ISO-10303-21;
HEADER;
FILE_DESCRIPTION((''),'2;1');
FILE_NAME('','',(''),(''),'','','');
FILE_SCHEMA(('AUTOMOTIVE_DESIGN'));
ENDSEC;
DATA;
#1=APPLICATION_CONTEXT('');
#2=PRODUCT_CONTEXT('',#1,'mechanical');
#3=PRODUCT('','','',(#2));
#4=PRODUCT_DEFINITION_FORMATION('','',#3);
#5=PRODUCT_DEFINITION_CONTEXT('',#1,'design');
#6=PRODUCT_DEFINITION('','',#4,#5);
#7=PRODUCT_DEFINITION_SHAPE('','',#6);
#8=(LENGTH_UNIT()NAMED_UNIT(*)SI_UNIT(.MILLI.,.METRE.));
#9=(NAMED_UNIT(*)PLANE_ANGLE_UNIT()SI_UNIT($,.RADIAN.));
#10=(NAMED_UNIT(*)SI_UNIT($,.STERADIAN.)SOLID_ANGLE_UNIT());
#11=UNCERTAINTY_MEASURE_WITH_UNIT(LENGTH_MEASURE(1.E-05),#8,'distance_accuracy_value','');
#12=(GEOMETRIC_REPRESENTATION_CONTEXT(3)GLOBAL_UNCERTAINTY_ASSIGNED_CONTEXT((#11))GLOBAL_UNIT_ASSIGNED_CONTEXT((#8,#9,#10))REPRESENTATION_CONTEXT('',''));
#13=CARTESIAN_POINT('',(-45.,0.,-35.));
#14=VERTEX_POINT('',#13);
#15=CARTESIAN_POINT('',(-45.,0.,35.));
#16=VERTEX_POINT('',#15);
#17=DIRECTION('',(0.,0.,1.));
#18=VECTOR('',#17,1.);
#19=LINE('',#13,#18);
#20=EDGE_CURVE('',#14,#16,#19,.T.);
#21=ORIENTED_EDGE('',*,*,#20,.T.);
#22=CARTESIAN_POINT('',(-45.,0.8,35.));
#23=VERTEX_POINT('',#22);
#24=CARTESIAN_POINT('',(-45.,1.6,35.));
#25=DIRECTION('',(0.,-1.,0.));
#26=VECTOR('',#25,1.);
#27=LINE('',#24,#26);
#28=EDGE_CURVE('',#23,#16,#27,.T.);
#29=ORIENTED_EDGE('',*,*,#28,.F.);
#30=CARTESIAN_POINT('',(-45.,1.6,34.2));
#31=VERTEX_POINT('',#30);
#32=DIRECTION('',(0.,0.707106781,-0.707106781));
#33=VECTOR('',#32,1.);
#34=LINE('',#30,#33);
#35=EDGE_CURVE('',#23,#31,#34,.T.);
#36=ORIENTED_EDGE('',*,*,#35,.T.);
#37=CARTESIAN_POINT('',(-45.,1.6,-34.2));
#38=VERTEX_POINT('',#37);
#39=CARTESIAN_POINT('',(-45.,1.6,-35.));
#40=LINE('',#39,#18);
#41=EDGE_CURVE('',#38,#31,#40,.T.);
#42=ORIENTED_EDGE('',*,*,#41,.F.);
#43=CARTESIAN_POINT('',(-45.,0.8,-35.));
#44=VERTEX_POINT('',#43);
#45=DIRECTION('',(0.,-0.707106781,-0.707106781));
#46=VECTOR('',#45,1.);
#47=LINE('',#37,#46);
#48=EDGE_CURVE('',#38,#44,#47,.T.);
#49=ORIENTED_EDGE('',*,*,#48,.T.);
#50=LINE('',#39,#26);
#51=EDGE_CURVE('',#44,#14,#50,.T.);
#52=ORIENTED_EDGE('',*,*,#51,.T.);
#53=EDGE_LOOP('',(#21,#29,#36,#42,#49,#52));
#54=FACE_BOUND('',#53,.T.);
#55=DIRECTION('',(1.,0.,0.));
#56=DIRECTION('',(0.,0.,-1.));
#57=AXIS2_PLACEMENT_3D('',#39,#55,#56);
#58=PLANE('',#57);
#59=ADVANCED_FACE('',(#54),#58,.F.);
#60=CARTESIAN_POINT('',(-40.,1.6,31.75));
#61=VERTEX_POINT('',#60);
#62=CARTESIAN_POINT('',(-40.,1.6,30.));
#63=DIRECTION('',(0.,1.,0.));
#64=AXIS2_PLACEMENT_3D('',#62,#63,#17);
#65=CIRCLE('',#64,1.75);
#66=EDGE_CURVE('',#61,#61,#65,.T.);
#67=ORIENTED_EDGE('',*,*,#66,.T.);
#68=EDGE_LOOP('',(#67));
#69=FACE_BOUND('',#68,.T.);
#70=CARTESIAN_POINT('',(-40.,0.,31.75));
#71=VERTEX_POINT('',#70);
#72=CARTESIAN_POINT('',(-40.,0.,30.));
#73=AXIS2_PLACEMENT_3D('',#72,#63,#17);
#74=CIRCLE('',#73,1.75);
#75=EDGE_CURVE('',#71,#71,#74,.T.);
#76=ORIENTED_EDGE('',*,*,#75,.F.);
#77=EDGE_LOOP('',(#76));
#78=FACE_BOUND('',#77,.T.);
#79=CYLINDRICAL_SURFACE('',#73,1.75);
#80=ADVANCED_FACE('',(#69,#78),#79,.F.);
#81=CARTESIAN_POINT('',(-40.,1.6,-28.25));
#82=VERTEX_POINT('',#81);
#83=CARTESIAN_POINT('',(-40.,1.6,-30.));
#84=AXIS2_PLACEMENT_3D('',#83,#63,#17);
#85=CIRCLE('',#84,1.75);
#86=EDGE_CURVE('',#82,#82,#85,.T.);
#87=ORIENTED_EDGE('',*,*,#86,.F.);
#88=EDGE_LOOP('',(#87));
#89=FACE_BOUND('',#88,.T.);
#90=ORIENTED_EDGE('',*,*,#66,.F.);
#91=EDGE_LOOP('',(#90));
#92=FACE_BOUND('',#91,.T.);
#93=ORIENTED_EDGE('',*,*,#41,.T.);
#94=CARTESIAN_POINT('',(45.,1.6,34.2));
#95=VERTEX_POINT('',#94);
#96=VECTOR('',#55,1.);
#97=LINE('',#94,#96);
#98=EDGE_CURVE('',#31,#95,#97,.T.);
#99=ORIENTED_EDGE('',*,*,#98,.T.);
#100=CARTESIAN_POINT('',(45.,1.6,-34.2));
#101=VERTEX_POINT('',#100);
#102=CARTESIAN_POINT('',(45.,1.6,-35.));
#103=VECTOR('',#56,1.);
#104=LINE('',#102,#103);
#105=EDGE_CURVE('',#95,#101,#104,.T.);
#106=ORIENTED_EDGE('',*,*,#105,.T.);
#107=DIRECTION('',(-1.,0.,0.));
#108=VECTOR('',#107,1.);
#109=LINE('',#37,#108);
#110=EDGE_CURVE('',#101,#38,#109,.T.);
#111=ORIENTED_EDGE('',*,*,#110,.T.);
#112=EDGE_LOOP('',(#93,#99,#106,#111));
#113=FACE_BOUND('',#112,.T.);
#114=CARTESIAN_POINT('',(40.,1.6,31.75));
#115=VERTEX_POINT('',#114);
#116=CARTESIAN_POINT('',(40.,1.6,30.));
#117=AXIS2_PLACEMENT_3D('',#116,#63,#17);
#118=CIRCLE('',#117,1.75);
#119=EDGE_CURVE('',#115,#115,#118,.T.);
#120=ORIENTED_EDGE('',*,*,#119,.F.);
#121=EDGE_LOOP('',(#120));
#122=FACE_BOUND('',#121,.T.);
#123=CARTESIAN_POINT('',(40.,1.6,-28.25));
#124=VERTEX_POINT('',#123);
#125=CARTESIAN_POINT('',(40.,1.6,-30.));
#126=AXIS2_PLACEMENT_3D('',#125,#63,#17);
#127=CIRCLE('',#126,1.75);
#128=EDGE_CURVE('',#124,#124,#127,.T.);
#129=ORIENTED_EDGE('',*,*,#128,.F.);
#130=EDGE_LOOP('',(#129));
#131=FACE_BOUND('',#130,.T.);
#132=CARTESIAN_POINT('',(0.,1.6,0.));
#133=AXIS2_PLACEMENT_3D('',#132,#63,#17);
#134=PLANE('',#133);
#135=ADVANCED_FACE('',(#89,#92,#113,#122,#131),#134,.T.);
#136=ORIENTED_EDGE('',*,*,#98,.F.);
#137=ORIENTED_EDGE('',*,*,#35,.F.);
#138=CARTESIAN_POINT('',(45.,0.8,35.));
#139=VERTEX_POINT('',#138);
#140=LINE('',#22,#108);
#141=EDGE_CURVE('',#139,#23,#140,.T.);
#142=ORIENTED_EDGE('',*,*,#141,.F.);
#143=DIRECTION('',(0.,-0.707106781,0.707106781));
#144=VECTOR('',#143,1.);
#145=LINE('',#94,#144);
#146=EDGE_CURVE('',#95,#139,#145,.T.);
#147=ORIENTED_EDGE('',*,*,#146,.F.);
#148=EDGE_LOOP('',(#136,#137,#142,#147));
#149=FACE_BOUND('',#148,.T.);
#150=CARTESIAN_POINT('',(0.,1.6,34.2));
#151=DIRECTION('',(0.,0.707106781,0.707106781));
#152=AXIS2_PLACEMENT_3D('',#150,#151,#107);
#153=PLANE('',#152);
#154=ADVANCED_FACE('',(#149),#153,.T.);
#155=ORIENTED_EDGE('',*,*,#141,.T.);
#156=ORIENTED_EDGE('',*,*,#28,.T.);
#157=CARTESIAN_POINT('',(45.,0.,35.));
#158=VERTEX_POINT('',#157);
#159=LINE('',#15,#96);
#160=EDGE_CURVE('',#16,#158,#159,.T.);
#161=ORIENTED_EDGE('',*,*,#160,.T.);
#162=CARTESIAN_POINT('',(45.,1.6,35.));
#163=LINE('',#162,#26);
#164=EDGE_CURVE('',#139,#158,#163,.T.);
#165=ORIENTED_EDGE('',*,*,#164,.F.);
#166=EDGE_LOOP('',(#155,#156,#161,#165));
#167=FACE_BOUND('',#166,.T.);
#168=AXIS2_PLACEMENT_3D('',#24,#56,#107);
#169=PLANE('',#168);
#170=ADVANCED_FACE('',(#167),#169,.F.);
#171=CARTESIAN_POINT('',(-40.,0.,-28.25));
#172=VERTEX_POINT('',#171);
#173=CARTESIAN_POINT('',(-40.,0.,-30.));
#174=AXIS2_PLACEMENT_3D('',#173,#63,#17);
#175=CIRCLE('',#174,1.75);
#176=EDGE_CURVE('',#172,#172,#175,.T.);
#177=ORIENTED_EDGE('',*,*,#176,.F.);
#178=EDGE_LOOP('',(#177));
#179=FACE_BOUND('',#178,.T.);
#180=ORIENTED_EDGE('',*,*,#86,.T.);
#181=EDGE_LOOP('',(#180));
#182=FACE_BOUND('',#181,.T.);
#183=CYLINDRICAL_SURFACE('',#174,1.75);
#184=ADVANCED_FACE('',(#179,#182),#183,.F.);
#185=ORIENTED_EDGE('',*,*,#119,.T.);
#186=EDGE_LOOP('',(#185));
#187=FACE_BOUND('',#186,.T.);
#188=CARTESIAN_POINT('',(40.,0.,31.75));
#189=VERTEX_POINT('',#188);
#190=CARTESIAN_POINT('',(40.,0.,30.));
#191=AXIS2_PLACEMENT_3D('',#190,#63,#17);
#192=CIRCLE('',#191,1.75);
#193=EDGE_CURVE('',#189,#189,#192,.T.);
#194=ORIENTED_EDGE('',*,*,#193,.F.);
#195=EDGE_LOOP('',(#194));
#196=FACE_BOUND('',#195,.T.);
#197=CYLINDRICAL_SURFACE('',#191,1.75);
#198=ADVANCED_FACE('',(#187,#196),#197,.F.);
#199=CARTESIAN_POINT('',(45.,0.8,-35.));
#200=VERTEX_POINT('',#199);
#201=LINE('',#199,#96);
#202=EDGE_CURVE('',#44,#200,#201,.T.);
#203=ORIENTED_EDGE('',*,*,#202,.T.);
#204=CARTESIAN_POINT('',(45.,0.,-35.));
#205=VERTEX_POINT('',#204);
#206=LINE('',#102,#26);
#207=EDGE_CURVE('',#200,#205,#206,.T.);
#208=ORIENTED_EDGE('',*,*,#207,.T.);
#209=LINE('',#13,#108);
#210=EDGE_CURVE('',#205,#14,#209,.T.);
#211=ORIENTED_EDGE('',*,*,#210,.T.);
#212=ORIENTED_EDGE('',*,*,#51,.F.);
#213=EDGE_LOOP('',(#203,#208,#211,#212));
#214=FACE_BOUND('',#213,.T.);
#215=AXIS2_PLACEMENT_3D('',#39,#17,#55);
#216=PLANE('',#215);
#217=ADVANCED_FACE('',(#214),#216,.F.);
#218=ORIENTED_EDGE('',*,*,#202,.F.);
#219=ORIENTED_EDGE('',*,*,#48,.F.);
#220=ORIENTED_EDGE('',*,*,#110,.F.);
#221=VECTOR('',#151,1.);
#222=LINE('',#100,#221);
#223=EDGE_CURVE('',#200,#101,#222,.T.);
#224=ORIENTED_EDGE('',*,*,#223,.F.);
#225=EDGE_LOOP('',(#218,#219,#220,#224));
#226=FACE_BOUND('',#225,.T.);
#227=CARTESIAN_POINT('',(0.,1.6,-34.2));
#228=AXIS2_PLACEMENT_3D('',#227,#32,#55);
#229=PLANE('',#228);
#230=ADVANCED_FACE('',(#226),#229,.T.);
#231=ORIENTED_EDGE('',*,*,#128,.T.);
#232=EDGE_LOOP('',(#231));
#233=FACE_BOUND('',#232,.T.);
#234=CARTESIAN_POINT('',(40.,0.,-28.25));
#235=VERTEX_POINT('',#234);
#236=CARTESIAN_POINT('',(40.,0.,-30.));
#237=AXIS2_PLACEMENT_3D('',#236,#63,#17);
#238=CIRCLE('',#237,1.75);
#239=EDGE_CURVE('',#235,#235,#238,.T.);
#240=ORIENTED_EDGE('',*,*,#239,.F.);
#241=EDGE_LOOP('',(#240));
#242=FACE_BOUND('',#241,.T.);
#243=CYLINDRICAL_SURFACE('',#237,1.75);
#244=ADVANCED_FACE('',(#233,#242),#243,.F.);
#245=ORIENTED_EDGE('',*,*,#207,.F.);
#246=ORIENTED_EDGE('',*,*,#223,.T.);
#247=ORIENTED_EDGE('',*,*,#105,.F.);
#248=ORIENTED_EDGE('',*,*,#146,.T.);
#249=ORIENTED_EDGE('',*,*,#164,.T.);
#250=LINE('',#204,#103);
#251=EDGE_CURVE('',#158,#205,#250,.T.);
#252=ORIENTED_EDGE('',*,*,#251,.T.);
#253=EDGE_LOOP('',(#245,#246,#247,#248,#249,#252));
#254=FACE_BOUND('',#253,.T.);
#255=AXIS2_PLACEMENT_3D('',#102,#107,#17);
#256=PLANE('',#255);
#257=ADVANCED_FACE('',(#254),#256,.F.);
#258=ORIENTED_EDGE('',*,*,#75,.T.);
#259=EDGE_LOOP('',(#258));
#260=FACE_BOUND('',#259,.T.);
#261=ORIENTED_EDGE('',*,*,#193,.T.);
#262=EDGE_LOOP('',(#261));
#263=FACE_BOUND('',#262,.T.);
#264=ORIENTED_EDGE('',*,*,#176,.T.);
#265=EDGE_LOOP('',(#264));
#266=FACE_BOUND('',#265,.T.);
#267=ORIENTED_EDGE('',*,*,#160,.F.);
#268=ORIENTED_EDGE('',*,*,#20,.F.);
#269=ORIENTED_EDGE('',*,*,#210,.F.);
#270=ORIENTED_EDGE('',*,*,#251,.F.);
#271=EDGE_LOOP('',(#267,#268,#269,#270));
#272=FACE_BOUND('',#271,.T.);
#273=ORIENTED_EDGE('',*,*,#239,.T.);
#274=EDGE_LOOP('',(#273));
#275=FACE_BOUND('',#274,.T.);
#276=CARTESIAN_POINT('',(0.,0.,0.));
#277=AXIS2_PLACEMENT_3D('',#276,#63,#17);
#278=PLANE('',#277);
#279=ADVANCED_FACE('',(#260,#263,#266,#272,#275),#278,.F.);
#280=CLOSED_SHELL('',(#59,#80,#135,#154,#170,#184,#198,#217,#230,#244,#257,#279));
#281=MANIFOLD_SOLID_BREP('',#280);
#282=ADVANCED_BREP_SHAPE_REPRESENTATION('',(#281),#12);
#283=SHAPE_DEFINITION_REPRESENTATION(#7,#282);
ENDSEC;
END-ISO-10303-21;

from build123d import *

# Parameters (mm, degrees)
SKETCH1_W           = 90
SKETCH1_H           = 70
BOSS_EXTRUDE1_DEPTH = 1.6
SKETCH2_R           = 1.75
CUT_EXTRUDE1_DEPTH  = 58.031219521
CHAMFER1_SIZE       = 0.8


with BuildPart() as part:
    # Sketch1 → Boss-Extrude1 (new body)
    with BuildSketch(Plane(origin=(0, 0, 0), x_dir=(1, 0, 0), z_dir=(0, 1, 0))):
        Rectangle(SKETCH1_W, SKETCH1_H)
    extrude(amount=BOSS_EXTRUDE1_DEPTH)

    # Sketch2 → Cut-Extrude1 (cut, through all)
    with BuildSketch(Plane(origin=(0, 1.6, 0), x_dir=(1, 0, 0), z_dir=(0, 1, 0))):
        with Locations(Location((-40, -30, 0), (0, 0, 270))):
            Circle(SKETCH2_R)
        with Locations(Location((-40, 30, 0), (0, 0, 270))):
            Circle(SKETCH2_R)
        with Locations(Location((40, 30, 0), (0, 0, 270))):
            Circle(SKETCH2_R)
        with Locations(Location((40, -30, 0), (0, 0, 270))):
            Circle(SKETCH2_R)
    extrude(amount=-CUT_EXTRUDE1_DEPTH, mode=Mode.SUBTRACT)

    # Chamfer1
    chamfer1_edges = [part.edges().sort_by_distance(p)[0] for p in [
        (0, 1.6, 35),
        (0, 1.6, -35),
    ]]
    chamfer(chamfer1_edges, length=CHAMFER1_SIZE)


solid = part.part
